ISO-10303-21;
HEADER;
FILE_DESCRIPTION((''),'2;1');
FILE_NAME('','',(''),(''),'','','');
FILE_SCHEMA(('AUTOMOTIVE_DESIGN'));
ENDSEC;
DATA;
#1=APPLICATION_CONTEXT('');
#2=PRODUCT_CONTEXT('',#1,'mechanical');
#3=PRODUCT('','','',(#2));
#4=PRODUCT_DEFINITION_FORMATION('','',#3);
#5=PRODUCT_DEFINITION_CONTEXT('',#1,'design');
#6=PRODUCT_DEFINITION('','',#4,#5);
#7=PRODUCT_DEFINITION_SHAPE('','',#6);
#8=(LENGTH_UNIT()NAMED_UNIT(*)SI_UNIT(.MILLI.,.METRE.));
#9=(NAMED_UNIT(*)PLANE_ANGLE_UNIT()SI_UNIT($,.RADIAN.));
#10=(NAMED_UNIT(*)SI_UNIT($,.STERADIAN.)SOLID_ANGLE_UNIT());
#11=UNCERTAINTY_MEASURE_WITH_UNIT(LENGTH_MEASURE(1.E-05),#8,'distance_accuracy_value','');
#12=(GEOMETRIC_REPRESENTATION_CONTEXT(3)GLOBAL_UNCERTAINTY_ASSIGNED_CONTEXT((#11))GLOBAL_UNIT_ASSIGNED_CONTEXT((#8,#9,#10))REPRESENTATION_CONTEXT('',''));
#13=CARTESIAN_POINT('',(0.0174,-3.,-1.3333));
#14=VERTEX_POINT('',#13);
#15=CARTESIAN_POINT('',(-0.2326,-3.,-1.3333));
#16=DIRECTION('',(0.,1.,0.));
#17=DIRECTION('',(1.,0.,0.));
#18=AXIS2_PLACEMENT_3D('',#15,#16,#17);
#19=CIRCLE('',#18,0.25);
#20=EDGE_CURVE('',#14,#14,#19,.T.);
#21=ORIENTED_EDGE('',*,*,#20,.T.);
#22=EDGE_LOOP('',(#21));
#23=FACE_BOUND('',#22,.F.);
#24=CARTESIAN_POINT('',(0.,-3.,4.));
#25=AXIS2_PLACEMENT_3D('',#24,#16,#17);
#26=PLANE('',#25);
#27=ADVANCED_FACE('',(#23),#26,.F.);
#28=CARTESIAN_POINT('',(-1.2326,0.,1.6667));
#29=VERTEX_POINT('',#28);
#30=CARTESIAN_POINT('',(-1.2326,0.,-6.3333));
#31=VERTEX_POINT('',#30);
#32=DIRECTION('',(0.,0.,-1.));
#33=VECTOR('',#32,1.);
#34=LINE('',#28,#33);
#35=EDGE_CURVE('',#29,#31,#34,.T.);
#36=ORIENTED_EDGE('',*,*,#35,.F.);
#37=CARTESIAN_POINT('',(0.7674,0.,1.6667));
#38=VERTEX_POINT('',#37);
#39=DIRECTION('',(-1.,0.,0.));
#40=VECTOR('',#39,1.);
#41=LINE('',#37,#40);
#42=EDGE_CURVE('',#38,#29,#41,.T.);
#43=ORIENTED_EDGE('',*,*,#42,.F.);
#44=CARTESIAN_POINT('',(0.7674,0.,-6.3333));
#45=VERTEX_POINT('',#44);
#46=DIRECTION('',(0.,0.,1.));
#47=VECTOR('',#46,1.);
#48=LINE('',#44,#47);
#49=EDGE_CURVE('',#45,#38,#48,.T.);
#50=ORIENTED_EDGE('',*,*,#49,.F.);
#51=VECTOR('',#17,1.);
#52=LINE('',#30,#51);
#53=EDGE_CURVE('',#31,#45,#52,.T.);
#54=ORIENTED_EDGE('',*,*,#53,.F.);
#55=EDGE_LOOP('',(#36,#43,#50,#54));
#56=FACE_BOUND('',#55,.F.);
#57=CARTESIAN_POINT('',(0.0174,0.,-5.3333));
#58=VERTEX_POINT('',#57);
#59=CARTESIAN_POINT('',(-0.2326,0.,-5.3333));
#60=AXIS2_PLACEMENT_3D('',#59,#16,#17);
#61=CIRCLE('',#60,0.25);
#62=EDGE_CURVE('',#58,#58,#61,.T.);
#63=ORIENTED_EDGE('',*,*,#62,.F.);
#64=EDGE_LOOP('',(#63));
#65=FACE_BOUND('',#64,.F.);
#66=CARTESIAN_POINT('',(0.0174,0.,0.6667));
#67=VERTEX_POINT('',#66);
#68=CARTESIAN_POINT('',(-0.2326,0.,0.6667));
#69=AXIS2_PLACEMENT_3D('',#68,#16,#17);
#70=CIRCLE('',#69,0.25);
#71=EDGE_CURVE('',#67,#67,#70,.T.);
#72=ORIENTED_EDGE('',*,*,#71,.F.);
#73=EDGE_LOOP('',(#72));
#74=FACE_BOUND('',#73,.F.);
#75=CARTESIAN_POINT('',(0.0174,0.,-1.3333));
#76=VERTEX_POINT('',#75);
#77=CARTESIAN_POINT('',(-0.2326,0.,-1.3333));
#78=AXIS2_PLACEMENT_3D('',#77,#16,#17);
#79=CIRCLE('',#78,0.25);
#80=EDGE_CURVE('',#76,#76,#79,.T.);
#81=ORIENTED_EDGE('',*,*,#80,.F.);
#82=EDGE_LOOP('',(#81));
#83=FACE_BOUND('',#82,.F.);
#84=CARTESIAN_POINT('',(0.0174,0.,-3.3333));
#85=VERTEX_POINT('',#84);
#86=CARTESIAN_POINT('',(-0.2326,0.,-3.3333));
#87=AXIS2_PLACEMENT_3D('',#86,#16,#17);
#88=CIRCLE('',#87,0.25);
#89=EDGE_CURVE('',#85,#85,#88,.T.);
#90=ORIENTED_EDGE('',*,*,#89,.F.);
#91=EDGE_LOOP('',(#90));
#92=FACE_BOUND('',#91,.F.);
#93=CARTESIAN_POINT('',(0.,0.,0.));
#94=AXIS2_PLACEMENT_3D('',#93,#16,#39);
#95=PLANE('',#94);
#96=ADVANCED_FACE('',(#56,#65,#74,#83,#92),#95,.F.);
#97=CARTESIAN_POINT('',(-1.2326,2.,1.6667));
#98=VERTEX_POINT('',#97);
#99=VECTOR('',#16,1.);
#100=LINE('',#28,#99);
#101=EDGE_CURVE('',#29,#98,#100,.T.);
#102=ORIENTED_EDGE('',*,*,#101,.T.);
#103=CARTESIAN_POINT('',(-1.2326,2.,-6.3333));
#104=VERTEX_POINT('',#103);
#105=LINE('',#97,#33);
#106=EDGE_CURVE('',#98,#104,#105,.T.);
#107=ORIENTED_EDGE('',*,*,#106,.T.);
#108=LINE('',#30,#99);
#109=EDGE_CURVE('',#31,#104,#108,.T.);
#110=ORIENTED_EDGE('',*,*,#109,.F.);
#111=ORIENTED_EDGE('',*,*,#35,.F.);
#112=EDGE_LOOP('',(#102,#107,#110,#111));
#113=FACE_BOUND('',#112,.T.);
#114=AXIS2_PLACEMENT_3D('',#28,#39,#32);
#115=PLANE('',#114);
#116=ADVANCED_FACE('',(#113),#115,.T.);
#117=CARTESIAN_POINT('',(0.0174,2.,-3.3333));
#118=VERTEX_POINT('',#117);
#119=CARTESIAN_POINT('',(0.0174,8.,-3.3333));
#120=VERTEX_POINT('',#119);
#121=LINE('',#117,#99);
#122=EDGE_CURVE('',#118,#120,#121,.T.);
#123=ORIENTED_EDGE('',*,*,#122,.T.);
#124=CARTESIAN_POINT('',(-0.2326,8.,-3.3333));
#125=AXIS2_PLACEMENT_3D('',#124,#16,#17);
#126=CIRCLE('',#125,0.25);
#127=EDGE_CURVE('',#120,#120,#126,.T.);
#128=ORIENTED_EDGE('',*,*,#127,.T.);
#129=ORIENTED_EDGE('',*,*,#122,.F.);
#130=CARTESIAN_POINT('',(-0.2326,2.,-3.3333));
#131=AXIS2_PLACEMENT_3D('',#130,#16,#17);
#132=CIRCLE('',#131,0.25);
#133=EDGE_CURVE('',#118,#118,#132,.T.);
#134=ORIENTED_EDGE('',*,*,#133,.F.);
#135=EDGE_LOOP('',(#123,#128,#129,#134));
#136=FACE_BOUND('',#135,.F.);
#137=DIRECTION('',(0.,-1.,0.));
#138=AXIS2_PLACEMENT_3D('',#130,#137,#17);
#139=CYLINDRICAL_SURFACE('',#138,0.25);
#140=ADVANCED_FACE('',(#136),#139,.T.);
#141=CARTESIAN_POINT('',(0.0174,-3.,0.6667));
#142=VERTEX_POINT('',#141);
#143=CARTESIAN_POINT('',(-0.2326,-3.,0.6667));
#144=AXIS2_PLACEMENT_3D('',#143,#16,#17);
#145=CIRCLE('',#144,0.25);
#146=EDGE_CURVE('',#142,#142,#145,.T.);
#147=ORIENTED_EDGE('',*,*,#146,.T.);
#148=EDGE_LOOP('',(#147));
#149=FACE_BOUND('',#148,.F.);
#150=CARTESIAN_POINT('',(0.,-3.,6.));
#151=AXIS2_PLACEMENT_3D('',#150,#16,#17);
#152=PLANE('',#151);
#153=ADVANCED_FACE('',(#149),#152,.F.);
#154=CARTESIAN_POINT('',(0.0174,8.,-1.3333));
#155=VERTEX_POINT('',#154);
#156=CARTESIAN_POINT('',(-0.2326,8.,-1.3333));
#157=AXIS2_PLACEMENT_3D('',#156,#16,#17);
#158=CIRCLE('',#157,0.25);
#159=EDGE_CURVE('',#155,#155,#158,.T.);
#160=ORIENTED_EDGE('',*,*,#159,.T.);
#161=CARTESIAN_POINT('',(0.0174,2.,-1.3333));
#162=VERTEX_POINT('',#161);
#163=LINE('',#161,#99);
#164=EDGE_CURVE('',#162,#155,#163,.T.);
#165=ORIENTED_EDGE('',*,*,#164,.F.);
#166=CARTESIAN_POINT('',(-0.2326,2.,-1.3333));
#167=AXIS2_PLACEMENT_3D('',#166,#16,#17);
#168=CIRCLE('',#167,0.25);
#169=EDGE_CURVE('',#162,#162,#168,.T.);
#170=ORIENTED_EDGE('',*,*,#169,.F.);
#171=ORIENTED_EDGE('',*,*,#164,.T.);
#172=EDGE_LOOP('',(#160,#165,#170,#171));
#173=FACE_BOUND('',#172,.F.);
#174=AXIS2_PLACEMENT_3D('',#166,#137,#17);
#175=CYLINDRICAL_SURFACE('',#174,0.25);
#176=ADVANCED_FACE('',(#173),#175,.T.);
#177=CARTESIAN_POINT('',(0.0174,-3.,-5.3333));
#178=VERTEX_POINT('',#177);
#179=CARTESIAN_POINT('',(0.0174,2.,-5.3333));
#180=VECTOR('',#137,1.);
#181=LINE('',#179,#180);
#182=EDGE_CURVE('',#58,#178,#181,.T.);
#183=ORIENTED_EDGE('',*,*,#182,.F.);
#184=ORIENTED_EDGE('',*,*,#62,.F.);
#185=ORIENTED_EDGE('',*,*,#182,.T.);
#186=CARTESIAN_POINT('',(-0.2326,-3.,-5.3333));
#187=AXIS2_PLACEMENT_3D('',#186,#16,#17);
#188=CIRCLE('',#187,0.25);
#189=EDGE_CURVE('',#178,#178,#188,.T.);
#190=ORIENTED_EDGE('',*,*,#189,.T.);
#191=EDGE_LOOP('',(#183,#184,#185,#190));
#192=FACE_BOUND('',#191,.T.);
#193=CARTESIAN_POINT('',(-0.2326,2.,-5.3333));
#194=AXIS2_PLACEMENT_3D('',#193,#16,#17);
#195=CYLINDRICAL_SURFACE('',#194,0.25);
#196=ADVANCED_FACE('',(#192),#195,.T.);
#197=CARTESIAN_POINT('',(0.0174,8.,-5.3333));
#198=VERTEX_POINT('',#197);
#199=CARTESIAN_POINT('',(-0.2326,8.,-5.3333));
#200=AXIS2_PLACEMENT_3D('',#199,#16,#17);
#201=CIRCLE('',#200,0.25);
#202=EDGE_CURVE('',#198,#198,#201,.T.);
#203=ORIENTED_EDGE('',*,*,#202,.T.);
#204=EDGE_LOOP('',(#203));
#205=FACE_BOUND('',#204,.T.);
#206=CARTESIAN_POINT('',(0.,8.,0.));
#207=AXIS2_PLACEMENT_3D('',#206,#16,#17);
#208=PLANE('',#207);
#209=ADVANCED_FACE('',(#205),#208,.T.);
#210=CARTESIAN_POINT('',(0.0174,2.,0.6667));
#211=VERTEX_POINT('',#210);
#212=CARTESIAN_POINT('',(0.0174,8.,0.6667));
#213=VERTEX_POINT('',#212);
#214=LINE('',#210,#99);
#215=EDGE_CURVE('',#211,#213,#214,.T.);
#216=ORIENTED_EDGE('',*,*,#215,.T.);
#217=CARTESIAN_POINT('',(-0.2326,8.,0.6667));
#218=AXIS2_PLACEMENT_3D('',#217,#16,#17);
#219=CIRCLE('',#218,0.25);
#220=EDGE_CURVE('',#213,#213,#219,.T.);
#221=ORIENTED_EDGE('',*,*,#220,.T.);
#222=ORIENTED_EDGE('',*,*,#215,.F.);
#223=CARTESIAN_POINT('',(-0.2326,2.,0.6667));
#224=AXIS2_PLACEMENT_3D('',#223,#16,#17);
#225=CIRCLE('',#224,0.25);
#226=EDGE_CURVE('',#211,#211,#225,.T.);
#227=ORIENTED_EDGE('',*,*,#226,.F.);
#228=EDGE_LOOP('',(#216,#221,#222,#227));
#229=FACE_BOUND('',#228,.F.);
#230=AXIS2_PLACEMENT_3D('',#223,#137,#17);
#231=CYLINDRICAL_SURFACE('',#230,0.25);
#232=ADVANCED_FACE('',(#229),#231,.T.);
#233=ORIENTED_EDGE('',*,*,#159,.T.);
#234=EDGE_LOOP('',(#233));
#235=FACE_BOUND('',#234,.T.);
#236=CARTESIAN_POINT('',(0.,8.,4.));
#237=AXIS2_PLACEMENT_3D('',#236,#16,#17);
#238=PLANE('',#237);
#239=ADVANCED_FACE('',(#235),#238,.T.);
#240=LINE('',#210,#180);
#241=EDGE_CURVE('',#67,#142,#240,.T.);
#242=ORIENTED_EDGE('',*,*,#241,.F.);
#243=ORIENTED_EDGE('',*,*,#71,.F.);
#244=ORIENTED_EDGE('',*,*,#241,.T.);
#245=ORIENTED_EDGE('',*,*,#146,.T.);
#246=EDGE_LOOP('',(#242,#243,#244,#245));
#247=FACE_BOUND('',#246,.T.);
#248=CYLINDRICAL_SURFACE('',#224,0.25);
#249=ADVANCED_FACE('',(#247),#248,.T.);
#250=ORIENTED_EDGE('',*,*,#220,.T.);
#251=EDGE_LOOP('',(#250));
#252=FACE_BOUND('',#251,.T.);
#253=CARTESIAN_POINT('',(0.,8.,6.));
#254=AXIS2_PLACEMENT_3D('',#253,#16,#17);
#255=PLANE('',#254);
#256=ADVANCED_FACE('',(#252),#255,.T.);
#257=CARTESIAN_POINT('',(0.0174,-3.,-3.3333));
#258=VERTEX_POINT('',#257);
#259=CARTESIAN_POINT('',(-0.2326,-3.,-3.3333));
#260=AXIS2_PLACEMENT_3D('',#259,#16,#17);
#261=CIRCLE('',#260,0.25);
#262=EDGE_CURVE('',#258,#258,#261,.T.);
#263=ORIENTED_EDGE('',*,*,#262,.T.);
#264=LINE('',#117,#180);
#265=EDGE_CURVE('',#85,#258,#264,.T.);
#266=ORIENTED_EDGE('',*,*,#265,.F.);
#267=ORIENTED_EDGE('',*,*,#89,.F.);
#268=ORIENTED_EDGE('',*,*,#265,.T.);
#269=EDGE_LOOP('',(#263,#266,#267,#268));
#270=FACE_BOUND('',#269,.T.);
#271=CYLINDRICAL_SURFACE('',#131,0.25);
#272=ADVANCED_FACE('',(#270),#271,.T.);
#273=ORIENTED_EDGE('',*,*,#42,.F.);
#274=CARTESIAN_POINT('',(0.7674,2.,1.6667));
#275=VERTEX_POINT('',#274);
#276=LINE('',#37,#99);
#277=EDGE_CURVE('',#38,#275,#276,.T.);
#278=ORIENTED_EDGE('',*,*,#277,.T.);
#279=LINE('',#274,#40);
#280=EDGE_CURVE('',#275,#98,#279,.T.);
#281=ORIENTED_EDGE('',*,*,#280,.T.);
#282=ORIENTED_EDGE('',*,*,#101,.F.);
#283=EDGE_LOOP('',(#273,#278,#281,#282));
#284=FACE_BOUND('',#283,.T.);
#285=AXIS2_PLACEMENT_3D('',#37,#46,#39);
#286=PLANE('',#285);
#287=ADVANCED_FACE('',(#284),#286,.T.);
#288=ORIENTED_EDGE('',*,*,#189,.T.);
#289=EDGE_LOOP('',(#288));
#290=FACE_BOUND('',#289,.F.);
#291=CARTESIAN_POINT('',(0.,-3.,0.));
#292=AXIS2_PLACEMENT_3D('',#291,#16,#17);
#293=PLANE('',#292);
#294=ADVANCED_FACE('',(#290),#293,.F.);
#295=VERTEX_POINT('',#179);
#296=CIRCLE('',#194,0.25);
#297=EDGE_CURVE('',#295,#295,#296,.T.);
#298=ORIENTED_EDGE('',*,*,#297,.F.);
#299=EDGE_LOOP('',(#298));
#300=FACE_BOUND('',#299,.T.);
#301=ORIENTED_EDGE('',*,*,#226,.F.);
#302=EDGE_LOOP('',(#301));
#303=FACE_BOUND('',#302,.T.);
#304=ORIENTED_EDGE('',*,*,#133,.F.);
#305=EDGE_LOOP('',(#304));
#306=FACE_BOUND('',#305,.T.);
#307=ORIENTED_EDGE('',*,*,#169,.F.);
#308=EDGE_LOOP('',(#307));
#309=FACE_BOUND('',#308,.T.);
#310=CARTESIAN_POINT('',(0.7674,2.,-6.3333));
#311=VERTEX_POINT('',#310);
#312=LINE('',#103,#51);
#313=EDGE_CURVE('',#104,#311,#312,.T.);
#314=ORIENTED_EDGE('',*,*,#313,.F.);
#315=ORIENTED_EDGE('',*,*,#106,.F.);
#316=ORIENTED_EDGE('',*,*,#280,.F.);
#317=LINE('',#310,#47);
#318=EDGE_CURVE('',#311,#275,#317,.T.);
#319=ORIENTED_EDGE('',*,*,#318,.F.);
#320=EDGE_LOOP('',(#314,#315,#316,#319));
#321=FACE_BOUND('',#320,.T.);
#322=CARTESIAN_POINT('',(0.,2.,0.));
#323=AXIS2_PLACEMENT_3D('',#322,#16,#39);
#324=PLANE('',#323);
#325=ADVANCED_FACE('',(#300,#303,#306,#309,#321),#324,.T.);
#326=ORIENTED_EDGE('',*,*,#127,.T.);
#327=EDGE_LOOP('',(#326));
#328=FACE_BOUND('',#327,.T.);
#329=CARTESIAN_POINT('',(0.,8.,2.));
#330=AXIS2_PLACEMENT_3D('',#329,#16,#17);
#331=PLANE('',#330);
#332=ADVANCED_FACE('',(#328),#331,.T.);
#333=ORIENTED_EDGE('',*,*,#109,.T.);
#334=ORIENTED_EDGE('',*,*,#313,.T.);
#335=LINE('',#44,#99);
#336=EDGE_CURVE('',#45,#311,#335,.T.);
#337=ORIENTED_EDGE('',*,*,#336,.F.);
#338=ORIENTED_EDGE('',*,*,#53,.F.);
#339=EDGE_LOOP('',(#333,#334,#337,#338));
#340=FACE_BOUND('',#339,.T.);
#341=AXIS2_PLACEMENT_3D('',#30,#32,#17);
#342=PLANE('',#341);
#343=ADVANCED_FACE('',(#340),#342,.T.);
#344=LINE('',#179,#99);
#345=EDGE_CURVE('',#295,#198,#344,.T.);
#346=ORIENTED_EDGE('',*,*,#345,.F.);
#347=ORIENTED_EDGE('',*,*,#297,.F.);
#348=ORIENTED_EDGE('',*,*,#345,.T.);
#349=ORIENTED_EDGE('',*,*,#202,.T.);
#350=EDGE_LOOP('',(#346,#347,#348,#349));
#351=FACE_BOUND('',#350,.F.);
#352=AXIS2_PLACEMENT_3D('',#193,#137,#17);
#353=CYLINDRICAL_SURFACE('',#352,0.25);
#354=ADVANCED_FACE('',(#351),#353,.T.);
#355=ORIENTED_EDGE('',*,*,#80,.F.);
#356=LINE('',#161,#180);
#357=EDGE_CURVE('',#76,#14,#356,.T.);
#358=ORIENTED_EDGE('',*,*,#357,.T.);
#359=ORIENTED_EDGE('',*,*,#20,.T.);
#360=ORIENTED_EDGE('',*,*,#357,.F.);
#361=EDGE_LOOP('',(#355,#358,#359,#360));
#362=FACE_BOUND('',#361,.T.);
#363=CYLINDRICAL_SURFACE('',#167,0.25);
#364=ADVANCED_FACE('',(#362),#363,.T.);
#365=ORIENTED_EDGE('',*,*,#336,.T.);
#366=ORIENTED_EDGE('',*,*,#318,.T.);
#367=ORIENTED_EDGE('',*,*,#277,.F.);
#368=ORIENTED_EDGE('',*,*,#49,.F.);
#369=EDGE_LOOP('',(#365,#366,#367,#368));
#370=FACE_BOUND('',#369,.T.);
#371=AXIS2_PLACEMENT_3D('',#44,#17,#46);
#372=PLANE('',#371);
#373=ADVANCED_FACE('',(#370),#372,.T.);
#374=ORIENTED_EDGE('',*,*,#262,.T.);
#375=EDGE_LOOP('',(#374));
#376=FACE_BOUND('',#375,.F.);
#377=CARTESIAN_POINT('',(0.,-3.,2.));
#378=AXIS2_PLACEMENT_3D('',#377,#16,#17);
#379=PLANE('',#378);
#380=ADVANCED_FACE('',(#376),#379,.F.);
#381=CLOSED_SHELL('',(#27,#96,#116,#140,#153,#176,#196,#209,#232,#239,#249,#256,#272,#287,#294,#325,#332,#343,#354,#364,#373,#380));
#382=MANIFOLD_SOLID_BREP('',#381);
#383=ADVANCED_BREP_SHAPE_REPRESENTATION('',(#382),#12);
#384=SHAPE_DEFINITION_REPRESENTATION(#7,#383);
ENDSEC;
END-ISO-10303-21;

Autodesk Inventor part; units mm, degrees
ref_plane "YZ Plane" through (0, 0, 0) normal (1, 0, 0) x (0, 1, 0)
ref_plane "XZ Plane" through (0, 0, 0) normal (0, 1, 0) x (-1, 0, 0)
ref_plane "XY Plane" through (0, 0, 0) normal (0, 0, 1) x (1, 0, 0)
sketch "Sketch1" plane through (0, 0, 0) normal (0, 1, 0) x (-1, 0, 0)
  line L0 (-0.7674, 1.6667) -> (1.2326, 1.6667)
  line L1 (1.2326, 1.6667) -> (1.2326, -6.3333)
  line L2 (1.2326, -6.3333) -> (-0.7674, -6.3333)
  line L3 (-0.7674, -6.3333) -> (-0.7674, 1.6667)
  point P0 (0, 0)
  dimension "d0" = 2
  dimension "d1" = 8
extrude "Extrusion1" add sketch "Sketch1" along normal blind 2
sketch "Sketch2" plane through (0, 2, 0) normal (0, 1, 0) x (1, 0, 0)
  line L0 (0.7674, 6.3333) -> (-1.2326, 6.3333) projected
  circle A0 centre (-0.2326, 5.3333) radius 0.25
  point P0 (0, 0)
  dimension "d4" = 1
  dimension "d5" = 0.5
extrude "Extrusion2" add sketch "Sketch2" along normal blind 6 and the other way blind 5
pattern_linear "Rectangular Pattern1" count 4 spacing 2 along (0, 0, 1) of "Extrusion2"
properties part number "2mm4PosHeader"
